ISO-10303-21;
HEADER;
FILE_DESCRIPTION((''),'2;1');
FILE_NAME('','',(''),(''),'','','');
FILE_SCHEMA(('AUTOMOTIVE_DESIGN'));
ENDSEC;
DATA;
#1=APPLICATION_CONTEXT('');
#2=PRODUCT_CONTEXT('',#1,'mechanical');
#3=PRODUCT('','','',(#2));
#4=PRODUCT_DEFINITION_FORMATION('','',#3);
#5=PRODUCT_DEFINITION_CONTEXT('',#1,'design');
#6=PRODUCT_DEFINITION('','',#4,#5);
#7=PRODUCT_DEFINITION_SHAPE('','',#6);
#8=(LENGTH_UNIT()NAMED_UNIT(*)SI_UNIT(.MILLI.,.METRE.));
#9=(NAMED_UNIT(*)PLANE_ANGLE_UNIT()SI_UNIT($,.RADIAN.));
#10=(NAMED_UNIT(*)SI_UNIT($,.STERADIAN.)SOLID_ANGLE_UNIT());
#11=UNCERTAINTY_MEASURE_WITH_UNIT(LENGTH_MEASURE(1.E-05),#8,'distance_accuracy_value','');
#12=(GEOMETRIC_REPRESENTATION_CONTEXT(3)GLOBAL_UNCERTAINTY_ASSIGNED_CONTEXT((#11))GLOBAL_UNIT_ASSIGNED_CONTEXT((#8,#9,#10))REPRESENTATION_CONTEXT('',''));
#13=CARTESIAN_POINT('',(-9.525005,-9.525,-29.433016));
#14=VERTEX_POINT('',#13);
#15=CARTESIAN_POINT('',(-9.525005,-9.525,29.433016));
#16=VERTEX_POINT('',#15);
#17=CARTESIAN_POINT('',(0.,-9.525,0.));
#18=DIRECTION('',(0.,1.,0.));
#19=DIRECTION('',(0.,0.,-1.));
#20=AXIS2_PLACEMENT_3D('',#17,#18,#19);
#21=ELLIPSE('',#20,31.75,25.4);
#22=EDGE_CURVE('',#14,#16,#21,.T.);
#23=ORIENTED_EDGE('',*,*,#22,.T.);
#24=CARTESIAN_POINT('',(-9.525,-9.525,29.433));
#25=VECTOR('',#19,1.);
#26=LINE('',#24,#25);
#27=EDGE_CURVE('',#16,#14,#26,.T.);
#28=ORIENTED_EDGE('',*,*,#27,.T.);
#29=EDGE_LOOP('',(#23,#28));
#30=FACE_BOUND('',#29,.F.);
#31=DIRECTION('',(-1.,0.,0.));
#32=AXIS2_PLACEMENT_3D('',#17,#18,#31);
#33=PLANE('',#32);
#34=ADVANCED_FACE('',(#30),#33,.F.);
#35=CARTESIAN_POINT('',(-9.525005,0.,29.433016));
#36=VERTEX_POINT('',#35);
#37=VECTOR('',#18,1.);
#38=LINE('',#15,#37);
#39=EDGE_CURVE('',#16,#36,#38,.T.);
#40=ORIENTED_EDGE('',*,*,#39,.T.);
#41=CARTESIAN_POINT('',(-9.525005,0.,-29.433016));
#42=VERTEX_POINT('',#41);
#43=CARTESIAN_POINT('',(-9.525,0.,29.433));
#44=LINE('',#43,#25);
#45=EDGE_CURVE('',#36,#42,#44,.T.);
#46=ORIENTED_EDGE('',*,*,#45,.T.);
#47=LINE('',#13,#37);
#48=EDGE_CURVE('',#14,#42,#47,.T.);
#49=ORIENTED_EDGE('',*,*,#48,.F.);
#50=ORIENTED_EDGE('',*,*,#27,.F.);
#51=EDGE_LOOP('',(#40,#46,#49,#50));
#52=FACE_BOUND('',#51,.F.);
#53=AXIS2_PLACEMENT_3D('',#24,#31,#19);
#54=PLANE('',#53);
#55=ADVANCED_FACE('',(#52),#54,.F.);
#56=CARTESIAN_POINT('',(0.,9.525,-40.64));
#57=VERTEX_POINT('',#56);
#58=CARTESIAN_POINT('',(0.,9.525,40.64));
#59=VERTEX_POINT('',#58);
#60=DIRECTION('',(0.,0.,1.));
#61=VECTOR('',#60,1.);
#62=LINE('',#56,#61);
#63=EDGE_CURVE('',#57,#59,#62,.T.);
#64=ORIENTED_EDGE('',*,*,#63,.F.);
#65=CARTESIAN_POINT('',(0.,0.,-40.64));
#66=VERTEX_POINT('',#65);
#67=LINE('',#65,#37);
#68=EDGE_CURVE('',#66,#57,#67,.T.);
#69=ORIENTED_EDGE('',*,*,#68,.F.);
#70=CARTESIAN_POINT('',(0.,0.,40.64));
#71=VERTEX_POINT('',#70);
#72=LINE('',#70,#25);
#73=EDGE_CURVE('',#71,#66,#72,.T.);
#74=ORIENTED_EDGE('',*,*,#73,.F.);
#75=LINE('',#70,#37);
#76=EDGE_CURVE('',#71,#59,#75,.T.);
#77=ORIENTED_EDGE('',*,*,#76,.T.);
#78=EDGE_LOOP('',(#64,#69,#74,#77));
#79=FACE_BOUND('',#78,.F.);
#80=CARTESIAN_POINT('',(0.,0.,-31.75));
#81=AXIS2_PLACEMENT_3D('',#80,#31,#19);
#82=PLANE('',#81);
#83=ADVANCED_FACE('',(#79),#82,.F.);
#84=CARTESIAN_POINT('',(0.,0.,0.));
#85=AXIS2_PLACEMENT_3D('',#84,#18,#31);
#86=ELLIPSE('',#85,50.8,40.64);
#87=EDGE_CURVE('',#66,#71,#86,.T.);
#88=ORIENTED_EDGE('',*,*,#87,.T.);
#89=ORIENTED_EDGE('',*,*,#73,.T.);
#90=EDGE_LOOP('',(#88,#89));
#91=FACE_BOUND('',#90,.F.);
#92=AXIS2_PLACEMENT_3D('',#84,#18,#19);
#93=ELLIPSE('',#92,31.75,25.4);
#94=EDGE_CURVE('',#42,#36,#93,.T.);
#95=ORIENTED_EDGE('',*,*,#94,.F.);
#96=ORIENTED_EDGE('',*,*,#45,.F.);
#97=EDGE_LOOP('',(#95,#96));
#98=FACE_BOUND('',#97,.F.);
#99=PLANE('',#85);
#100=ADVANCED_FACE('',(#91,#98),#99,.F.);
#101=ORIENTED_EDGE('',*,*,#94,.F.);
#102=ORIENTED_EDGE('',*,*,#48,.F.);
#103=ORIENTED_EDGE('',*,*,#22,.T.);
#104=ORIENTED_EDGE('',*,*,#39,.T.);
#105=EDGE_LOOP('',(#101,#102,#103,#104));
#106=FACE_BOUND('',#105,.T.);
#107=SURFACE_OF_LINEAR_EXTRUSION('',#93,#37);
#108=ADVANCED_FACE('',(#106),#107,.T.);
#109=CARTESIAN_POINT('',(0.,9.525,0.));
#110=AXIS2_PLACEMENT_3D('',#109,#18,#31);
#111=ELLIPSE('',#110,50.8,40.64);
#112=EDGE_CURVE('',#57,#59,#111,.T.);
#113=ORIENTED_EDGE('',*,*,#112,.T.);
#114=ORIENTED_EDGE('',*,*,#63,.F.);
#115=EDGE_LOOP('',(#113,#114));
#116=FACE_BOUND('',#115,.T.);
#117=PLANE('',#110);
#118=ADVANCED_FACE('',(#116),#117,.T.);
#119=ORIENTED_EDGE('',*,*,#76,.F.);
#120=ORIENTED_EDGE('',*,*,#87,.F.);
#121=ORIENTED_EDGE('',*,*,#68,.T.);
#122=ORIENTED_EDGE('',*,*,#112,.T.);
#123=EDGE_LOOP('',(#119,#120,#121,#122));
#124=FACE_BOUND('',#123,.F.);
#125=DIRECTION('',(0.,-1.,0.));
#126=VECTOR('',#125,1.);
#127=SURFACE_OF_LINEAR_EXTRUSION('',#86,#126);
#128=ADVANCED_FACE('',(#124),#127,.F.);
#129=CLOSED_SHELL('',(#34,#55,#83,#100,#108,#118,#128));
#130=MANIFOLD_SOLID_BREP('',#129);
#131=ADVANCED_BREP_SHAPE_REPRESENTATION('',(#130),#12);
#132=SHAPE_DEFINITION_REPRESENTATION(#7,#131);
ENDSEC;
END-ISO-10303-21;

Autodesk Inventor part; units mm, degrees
ref_plane "YZ Plane" through (0, 0, 0) normal (1, 0, 0) x (0, 1, 0)
ref_plane "XZ Plane" through (0, 0, 0) normal (0, 1, 0) x (-1, 0, 0)
ref_plane "XY Plane" through (0, 0, 0) normal (0, 0, 1) x (1, 0, 0)
sketch "Sketch1" plane through (0, 0, 0) normal (0, 1, 0) x (-1, 0, 0)
  ellipse E0 centre (0, 0) end of major axis (0, -40.64) minor radius 50.8 (0, -40.64) -> (0, 40.64) ccw
  line L0 (0, 40.64) -> (0, -40.64)
  ellipse E1 centre (0, 0) end of major axis (0, -31.75) minor radius 25.4 (0, -31.75) -> (0, 31.75) ccw
  line L1 (0, 40.64) -> (0, -40.64)
  point P0 (0, -31.75)
  point P1 (0, 31.75)
  dimension "d0" = 50.8
  dimension "d1" = 40.64
  dimension "d2" = 25.4
  dimension "d3" = 31.75
extrude "Extrusion1" add sketch "Sketch1" along normal blind 9.525
extrude "Extrusion2" add sketch "Sketch1" against normal blind 9.525 contours L0 E1
sketch "Sketch3" plane through (0, -9.525, 0) normal (0, -1, 0) x (1, 0, 0)
  line L0 (0, -31.75) -> (0, 31.75) projected
  ellipse E0 centre (0, 0) end of major axis (0, -31.75) minor radius 25.4 (0, 31.75) -> (0, -31.75) ccw projected
  line L1 (0, 40.64) -> (0, -40.64) projected
  ellipse E1 centre (0, 0) end of major axis (0, -31.75) minor radius 25.4 (0, 31.75) -> (0, -31.75) ccw projected
  line L2 (-9.525, 29.433) -> (-9.525, -29.433)
  ellipse E2 centre (0, 0) end of major axis (0, -31.75) minor radius 25.4 (0, 31.75) -> (-9.525, 29.433) ccw
  ellipse E3 centre (0, 0) end of major axis (0, -31.75) minor radius 25.4 (-9.525, -29.433) -> (0, -31.75) ccw
  point P0 (-9.525, -29.433)
  dimension "d8" = 9.525
extrude "Extrusion3" cut sketch "Sketch3" against normal blind 9.525 contours E0 L2 L0
properties part number "pryBarHolder"
